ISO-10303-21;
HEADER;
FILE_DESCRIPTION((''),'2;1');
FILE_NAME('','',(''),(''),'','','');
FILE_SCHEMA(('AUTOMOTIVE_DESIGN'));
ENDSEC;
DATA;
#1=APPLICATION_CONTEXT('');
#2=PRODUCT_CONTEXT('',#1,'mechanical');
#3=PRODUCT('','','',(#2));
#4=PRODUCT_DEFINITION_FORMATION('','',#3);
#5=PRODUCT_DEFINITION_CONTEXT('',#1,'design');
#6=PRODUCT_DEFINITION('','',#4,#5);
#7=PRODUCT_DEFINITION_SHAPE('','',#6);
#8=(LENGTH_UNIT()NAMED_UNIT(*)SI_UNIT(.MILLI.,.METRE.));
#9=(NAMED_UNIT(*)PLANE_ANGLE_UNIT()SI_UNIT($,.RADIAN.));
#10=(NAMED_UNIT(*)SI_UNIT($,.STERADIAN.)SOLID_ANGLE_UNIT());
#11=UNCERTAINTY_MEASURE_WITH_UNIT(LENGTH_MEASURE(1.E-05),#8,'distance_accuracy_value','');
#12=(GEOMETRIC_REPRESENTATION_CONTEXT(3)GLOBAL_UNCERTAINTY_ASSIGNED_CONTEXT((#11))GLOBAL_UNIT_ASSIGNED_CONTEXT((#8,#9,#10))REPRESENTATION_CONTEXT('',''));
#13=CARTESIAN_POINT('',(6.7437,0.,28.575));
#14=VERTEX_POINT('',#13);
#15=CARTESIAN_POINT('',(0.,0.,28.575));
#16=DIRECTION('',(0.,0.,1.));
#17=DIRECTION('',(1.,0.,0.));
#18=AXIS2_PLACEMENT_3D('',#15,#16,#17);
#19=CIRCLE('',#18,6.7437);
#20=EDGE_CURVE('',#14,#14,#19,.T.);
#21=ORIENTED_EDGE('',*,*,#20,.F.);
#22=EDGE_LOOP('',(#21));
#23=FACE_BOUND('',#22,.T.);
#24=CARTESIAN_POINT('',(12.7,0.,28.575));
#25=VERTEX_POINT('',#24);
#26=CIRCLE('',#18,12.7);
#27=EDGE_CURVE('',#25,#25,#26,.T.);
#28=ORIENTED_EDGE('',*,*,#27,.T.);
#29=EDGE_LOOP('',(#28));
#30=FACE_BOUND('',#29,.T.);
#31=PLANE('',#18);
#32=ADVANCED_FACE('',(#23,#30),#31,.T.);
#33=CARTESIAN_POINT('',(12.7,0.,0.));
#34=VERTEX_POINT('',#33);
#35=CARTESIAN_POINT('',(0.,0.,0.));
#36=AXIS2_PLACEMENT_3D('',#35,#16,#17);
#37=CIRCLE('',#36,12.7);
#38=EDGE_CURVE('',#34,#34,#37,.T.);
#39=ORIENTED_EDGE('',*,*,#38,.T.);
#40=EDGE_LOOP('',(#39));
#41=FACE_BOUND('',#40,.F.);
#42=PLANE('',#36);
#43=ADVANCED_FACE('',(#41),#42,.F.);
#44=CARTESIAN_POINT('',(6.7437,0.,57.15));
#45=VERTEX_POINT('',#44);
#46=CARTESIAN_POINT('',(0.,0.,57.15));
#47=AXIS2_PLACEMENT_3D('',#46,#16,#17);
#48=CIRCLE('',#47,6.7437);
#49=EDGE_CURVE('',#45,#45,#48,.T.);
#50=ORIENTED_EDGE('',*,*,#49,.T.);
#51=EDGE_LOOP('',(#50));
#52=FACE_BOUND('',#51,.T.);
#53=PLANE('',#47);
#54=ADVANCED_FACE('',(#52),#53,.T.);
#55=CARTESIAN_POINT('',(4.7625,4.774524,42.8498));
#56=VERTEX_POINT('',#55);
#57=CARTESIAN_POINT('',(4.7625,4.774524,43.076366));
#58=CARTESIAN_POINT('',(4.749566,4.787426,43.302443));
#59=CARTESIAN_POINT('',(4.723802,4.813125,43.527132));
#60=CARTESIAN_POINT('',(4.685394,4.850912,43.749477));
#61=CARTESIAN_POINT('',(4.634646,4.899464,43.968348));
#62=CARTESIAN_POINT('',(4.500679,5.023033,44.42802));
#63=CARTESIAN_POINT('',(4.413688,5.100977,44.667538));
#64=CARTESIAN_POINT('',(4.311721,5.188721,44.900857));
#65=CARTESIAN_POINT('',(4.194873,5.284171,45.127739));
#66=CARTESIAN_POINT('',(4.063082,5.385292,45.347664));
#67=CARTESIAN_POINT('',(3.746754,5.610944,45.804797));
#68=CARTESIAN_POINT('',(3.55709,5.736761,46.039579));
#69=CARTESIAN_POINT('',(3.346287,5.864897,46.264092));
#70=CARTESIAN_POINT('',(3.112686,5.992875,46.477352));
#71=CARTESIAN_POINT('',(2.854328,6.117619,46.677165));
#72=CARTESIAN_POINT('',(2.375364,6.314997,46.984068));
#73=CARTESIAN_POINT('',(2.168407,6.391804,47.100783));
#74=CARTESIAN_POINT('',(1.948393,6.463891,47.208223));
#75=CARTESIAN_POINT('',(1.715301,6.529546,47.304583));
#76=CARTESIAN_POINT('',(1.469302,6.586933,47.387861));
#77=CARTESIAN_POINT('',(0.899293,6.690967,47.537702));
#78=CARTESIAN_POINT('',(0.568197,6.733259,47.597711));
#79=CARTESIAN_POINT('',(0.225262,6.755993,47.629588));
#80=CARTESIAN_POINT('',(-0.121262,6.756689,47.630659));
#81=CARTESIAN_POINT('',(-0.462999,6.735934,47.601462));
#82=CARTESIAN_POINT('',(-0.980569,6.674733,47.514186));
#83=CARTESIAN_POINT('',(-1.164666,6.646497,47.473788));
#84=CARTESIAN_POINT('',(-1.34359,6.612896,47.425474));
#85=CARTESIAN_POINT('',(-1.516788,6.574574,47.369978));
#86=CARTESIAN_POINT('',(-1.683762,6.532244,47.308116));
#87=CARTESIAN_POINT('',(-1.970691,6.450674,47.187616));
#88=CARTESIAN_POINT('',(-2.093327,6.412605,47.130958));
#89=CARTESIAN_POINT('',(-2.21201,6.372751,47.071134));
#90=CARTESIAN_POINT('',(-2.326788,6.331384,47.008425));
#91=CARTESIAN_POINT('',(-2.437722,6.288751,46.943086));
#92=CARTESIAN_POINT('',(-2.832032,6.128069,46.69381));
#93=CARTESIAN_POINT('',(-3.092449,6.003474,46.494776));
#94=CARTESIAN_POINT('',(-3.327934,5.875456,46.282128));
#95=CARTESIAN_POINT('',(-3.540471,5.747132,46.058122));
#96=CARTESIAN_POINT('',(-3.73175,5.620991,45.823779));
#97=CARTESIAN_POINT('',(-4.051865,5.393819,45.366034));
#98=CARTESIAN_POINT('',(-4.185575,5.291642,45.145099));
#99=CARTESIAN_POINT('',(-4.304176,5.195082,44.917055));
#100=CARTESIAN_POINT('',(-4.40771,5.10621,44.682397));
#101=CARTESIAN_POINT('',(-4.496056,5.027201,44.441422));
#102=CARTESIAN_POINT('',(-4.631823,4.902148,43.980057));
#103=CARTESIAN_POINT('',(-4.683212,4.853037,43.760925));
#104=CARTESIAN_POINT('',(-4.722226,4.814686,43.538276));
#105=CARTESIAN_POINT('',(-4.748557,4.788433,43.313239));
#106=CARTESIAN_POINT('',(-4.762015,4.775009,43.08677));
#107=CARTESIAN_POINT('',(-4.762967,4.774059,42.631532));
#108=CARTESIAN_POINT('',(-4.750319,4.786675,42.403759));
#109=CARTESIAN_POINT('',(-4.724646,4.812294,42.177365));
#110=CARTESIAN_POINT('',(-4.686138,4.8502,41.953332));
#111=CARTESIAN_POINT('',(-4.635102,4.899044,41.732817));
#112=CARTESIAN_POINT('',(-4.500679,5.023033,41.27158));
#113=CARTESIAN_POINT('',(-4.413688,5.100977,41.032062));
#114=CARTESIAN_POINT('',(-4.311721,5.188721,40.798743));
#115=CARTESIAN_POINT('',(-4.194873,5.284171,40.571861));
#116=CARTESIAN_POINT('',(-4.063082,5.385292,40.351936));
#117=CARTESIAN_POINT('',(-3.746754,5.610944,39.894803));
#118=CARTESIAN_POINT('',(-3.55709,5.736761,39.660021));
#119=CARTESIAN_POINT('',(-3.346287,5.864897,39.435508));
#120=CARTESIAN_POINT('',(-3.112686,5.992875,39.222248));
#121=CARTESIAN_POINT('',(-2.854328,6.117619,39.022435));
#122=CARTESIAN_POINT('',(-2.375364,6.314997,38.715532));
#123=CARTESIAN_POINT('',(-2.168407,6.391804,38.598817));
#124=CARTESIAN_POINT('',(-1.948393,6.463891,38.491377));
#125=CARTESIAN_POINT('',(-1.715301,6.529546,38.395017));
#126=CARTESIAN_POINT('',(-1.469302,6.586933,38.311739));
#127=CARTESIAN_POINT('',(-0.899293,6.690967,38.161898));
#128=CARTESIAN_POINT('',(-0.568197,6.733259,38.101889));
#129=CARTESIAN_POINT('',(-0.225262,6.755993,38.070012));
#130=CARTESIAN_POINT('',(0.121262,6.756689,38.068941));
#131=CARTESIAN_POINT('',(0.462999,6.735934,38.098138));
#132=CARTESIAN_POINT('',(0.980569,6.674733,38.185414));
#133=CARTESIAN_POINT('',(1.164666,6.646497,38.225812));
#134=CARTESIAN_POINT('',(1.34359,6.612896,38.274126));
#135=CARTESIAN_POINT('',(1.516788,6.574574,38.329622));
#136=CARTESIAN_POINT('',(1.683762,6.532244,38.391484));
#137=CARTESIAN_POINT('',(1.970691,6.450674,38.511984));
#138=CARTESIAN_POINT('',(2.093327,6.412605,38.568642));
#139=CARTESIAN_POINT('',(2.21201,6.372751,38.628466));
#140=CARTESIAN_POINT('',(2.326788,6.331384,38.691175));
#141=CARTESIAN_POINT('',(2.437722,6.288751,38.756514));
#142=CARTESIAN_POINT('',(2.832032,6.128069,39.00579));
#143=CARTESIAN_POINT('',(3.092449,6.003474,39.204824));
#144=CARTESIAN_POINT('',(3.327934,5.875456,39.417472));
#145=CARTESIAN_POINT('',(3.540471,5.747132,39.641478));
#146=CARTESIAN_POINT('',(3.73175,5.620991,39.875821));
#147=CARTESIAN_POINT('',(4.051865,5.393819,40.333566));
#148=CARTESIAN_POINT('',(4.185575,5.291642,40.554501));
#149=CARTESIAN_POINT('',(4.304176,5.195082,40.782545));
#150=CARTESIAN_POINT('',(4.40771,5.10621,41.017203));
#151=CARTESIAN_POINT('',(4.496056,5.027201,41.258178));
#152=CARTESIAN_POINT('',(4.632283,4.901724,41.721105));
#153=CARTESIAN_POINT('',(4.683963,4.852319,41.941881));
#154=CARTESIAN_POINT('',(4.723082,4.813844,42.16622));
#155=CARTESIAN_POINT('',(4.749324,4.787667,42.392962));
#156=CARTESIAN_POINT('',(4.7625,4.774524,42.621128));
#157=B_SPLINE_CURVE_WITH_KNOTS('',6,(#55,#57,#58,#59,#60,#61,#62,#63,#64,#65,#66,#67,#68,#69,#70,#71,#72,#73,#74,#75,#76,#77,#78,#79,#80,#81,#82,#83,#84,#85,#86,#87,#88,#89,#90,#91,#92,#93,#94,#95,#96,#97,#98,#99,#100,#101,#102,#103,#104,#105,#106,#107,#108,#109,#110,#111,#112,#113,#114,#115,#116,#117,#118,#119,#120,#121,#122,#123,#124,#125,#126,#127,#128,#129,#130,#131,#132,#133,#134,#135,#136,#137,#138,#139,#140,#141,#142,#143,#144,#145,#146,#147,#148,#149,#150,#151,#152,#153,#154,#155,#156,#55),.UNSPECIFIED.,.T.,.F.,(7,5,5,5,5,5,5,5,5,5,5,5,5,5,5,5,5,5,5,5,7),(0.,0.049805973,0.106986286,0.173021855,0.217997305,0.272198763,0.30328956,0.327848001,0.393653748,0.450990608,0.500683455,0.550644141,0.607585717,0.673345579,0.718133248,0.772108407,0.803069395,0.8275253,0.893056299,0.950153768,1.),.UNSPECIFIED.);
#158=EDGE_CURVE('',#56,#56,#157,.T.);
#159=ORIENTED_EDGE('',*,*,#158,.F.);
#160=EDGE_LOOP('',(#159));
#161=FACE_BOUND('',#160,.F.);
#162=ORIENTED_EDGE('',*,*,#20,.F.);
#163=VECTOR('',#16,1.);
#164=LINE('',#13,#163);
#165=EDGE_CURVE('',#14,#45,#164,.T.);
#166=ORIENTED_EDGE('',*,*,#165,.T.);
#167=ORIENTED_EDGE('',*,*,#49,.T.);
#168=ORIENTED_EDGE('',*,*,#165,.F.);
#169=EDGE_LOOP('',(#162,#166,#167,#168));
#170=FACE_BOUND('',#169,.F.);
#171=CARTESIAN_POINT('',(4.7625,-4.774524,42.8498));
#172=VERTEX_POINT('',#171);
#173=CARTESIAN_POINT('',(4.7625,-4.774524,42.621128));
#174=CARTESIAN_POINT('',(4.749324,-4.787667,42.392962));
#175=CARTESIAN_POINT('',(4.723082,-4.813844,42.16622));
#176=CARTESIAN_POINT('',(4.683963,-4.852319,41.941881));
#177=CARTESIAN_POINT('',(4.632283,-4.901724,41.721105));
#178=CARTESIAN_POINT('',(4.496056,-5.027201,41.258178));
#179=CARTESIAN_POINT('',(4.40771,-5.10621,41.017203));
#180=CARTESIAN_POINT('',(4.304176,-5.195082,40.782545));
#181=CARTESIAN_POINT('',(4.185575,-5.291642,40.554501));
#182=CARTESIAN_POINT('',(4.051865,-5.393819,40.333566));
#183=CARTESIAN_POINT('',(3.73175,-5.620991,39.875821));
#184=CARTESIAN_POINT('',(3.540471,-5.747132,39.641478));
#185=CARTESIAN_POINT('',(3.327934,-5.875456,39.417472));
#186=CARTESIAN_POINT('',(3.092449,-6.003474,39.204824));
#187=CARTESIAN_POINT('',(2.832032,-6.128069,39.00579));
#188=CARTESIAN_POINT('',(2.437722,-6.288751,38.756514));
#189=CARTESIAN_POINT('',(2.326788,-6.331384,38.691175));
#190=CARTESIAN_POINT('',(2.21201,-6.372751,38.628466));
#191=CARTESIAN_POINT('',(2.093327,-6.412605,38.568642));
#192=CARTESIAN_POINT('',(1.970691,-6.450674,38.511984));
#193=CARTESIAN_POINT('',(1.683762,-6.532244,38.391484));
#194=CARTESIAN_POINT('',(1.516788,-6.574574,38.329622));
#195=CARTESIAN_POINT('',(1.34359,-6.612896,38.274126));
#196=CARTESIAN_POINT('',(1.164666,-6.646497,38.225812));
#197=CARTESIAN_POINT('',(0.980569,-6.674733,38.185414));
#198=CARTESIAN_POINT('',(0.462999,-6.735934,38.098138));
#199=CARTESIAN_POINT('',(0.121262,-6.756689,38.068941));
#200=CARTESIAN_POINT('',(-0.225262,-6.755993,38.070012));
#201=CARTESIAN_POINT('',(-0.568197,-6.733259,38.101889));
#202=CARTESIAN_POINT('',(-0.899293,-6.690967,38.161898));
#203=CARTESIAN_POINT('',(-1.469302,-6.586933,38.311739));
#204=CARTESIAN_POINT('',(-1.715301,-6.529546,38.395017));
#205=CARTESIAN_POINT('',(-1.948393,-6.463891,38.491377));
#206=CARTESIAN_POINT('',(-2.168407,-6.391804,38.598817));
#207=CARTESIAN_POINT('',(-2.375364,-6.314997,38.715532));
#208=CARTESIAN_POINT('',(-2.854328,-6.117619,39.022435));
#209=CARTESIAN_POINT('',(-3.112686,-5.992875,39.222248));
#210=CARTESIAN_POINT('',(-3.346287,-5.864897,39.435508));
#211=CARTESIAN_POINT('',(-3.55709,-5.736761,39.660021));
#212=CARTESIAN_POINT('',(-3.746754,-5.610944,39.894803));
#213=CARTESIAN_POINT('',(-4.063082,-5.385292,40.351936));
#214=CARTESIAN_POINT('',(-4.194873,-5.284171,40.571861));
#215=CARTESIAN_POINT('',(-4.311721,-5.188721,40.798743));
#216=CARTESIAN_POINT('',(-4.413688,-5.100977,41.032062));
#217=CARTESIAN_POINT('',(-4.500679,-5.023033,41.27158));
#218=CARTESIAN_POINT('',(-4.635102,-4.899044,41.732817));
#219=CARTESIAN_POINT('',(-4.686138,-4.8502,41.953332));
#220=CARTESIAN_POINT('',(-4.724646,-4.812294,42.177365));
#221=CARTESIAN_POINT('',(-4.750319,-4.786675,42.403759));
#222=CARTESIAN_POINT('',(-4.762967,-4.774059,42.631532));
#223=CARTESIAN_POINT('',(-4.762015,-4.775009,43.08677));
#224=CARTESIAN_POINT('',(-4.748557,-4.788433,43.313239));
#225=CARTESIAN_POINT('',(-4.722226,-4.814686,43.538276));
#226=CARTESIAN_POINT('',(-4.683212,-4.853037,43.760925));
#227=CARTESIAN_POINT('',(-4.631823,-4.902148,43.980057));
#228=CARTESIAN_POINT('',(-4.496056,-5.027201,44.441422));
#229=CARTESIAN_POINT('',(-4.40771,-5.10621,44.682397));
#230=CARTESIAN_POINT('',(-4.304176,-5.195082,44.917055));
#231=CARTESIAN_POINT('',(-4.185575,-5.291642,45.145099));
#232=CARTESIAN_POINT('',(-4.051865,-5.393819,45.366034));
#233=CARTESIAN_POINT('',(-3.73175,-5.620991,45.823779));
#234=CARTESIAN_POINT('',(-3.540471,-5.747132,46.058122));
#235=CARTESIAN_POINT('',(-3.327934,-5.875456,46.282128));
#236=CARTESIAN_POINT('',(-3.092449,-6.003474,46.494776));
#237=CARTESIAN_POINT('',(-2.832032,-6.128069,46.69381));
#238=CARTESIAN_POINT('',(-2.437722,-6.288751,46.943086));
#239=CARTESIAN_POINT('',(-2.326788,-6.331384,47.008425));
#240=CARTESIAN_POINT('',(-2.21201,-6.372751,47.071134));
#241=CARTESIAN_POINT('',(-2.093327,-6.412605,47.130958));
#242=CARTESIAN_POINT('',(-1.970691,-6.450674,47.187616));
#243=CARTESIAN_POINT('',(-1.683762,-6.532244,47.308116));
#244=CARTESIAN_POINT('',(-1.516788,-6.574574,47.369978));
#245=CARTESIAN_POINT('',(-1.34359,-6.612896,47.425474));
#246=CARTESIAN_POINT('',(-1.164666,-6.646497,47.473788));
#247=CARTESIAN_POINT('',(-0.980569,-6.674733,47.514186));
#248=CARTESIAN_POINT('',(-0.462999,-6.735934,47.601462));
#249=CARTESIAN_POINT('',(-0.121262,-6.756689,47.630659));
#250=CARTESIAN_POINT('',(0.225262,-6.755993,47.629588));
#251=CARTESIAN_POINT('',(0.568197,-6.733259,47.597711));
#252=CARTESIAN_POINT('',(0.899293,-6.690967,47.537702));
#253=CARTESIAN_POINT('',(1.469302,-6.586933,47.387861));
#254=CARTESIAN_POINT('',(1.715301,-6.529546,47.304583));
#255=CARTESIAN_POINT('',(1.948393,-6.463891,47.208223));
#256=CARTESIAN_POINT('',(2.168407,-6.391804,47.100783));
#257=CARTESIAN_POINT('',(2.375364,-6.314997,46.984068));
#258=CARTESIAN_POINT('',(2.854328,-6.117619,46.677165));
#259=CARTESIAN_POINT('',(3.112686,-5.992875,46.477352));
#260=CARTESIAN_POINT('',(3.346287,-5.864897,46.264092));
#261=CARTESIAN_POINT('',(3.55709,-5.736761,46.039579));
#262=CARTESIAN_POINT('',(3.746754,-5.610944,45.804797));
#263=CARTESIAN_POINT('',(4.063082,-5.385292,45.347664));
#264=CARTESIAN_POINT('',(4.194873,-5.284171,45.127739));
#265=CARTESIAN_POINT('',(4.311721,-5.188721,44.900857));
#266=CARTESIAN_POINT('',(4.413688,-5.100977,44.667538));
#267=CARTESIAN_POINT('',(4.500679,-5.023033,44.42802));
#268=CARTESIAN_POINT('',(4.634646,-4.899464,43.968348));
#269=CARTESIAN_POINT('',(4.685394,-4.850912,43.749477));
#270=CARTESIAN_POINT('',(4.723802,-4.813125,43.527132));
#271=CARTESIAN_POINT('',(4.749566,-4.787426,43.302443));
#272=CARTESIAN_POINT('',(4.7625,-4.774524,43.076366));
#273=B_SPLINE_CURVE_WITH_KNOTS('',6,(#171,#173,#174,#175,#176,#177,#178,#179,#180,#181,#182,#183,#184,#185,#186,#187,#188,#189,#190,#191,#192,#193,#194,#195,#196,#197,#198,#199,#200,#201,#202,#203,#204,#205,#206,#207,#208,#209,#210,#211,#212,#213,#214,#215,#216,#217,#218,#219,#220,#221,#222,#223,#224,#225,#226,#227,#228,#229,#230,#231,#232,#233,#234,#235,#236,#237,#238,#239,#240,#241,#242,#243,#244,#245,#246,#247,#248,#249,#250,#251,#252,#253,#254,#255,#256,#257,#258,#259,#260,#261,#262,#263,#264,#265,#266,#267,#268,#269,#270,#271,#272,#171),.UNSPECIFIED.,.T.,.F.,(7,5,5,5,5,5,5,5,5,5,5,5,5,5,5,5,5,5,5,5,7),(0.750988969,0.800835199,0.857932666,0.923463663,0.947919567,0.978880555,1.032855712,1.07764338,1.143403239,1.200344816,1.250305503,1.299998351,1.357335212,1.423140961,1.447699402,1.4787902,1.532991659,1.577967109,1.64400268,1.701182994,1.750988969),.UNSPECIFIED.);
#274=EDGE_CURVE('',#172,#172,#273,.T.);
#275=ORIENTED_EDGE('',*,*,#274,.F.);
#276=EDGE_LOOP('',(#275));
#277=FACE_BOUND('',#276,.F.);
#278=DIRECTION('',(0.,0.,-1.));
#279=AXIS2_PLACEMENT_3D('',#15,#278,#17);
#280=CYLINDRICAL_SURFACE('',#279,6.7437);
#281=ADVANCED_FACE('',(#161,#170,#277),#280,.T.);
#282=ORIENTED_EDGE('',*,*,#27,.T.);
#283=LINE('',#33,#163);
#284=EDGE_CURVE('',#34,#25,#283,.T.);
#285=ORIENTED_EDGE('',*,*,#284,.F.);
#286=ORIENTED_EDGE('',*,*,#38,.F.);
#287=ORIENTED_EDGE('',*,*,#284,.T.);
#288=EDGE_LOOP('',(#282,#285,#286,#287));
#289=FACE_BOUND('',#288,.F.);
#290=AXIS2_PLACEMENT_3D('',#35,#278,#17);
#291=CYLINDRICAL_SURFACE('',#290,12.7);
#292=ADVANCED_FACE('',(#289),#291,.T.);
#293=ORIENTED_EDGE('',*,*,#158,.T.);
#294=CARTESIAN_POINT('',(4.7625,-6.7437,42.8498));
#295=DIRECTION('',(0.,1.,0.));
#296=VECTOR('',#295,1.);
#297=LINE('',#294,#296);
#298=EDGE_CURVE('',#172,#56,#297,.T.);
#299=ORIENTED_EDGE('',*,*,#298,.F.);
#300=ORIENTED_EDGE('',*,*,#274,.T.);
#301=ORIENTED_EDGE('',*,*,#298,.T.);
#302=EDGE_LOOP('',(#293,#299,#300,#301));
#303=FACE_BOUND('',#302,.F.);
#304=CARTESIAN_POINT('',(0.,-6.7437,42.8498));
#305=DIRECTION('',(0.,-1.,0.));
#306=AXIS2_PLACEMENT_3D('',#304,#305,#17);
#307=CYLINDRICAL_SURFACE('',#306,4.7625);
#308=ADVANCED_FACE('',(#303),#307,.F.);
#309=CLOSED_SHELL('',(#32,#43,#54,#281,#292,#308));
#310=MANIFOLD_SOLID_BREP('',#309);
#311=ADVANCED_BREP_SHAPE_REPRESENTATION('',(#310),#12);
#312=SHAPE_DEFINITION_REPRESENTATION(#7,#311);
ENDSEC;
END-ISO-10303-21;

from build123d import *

# Parameters (mm, degrees)
F0_R     = 12.7
F1_DEPTH = 28.575
F2_R     = 6.7437
F3_DEPTH = 28.575
F5_R     = 4.7625
F6_DEPTH = 19.4447


with BuildPart() as f1:
    # F0 (on Top) → F1 (new body)
    with BuildSketch(Plane.XY):
        Circle(F0_R)
    extrude(amount=F1_DEPTH)

    # F2 (on face) → F3 (join)
    with BuildSketch(Plane.XY.offset(28.575)):
        Circle(F2_R)
    extrude(amount=F3_DEPTH)

    # F5 (on offset) → F6 (cut, through all)
    with BuildSketch(Plane.XZ.offset(6.7437)):
        with Locations((0, 42.8498)):
            Circle(F5_R)
    extrude(amount=-F6_DEPTH, mode=Mode.SUBTRACT)


solid = f1.part
